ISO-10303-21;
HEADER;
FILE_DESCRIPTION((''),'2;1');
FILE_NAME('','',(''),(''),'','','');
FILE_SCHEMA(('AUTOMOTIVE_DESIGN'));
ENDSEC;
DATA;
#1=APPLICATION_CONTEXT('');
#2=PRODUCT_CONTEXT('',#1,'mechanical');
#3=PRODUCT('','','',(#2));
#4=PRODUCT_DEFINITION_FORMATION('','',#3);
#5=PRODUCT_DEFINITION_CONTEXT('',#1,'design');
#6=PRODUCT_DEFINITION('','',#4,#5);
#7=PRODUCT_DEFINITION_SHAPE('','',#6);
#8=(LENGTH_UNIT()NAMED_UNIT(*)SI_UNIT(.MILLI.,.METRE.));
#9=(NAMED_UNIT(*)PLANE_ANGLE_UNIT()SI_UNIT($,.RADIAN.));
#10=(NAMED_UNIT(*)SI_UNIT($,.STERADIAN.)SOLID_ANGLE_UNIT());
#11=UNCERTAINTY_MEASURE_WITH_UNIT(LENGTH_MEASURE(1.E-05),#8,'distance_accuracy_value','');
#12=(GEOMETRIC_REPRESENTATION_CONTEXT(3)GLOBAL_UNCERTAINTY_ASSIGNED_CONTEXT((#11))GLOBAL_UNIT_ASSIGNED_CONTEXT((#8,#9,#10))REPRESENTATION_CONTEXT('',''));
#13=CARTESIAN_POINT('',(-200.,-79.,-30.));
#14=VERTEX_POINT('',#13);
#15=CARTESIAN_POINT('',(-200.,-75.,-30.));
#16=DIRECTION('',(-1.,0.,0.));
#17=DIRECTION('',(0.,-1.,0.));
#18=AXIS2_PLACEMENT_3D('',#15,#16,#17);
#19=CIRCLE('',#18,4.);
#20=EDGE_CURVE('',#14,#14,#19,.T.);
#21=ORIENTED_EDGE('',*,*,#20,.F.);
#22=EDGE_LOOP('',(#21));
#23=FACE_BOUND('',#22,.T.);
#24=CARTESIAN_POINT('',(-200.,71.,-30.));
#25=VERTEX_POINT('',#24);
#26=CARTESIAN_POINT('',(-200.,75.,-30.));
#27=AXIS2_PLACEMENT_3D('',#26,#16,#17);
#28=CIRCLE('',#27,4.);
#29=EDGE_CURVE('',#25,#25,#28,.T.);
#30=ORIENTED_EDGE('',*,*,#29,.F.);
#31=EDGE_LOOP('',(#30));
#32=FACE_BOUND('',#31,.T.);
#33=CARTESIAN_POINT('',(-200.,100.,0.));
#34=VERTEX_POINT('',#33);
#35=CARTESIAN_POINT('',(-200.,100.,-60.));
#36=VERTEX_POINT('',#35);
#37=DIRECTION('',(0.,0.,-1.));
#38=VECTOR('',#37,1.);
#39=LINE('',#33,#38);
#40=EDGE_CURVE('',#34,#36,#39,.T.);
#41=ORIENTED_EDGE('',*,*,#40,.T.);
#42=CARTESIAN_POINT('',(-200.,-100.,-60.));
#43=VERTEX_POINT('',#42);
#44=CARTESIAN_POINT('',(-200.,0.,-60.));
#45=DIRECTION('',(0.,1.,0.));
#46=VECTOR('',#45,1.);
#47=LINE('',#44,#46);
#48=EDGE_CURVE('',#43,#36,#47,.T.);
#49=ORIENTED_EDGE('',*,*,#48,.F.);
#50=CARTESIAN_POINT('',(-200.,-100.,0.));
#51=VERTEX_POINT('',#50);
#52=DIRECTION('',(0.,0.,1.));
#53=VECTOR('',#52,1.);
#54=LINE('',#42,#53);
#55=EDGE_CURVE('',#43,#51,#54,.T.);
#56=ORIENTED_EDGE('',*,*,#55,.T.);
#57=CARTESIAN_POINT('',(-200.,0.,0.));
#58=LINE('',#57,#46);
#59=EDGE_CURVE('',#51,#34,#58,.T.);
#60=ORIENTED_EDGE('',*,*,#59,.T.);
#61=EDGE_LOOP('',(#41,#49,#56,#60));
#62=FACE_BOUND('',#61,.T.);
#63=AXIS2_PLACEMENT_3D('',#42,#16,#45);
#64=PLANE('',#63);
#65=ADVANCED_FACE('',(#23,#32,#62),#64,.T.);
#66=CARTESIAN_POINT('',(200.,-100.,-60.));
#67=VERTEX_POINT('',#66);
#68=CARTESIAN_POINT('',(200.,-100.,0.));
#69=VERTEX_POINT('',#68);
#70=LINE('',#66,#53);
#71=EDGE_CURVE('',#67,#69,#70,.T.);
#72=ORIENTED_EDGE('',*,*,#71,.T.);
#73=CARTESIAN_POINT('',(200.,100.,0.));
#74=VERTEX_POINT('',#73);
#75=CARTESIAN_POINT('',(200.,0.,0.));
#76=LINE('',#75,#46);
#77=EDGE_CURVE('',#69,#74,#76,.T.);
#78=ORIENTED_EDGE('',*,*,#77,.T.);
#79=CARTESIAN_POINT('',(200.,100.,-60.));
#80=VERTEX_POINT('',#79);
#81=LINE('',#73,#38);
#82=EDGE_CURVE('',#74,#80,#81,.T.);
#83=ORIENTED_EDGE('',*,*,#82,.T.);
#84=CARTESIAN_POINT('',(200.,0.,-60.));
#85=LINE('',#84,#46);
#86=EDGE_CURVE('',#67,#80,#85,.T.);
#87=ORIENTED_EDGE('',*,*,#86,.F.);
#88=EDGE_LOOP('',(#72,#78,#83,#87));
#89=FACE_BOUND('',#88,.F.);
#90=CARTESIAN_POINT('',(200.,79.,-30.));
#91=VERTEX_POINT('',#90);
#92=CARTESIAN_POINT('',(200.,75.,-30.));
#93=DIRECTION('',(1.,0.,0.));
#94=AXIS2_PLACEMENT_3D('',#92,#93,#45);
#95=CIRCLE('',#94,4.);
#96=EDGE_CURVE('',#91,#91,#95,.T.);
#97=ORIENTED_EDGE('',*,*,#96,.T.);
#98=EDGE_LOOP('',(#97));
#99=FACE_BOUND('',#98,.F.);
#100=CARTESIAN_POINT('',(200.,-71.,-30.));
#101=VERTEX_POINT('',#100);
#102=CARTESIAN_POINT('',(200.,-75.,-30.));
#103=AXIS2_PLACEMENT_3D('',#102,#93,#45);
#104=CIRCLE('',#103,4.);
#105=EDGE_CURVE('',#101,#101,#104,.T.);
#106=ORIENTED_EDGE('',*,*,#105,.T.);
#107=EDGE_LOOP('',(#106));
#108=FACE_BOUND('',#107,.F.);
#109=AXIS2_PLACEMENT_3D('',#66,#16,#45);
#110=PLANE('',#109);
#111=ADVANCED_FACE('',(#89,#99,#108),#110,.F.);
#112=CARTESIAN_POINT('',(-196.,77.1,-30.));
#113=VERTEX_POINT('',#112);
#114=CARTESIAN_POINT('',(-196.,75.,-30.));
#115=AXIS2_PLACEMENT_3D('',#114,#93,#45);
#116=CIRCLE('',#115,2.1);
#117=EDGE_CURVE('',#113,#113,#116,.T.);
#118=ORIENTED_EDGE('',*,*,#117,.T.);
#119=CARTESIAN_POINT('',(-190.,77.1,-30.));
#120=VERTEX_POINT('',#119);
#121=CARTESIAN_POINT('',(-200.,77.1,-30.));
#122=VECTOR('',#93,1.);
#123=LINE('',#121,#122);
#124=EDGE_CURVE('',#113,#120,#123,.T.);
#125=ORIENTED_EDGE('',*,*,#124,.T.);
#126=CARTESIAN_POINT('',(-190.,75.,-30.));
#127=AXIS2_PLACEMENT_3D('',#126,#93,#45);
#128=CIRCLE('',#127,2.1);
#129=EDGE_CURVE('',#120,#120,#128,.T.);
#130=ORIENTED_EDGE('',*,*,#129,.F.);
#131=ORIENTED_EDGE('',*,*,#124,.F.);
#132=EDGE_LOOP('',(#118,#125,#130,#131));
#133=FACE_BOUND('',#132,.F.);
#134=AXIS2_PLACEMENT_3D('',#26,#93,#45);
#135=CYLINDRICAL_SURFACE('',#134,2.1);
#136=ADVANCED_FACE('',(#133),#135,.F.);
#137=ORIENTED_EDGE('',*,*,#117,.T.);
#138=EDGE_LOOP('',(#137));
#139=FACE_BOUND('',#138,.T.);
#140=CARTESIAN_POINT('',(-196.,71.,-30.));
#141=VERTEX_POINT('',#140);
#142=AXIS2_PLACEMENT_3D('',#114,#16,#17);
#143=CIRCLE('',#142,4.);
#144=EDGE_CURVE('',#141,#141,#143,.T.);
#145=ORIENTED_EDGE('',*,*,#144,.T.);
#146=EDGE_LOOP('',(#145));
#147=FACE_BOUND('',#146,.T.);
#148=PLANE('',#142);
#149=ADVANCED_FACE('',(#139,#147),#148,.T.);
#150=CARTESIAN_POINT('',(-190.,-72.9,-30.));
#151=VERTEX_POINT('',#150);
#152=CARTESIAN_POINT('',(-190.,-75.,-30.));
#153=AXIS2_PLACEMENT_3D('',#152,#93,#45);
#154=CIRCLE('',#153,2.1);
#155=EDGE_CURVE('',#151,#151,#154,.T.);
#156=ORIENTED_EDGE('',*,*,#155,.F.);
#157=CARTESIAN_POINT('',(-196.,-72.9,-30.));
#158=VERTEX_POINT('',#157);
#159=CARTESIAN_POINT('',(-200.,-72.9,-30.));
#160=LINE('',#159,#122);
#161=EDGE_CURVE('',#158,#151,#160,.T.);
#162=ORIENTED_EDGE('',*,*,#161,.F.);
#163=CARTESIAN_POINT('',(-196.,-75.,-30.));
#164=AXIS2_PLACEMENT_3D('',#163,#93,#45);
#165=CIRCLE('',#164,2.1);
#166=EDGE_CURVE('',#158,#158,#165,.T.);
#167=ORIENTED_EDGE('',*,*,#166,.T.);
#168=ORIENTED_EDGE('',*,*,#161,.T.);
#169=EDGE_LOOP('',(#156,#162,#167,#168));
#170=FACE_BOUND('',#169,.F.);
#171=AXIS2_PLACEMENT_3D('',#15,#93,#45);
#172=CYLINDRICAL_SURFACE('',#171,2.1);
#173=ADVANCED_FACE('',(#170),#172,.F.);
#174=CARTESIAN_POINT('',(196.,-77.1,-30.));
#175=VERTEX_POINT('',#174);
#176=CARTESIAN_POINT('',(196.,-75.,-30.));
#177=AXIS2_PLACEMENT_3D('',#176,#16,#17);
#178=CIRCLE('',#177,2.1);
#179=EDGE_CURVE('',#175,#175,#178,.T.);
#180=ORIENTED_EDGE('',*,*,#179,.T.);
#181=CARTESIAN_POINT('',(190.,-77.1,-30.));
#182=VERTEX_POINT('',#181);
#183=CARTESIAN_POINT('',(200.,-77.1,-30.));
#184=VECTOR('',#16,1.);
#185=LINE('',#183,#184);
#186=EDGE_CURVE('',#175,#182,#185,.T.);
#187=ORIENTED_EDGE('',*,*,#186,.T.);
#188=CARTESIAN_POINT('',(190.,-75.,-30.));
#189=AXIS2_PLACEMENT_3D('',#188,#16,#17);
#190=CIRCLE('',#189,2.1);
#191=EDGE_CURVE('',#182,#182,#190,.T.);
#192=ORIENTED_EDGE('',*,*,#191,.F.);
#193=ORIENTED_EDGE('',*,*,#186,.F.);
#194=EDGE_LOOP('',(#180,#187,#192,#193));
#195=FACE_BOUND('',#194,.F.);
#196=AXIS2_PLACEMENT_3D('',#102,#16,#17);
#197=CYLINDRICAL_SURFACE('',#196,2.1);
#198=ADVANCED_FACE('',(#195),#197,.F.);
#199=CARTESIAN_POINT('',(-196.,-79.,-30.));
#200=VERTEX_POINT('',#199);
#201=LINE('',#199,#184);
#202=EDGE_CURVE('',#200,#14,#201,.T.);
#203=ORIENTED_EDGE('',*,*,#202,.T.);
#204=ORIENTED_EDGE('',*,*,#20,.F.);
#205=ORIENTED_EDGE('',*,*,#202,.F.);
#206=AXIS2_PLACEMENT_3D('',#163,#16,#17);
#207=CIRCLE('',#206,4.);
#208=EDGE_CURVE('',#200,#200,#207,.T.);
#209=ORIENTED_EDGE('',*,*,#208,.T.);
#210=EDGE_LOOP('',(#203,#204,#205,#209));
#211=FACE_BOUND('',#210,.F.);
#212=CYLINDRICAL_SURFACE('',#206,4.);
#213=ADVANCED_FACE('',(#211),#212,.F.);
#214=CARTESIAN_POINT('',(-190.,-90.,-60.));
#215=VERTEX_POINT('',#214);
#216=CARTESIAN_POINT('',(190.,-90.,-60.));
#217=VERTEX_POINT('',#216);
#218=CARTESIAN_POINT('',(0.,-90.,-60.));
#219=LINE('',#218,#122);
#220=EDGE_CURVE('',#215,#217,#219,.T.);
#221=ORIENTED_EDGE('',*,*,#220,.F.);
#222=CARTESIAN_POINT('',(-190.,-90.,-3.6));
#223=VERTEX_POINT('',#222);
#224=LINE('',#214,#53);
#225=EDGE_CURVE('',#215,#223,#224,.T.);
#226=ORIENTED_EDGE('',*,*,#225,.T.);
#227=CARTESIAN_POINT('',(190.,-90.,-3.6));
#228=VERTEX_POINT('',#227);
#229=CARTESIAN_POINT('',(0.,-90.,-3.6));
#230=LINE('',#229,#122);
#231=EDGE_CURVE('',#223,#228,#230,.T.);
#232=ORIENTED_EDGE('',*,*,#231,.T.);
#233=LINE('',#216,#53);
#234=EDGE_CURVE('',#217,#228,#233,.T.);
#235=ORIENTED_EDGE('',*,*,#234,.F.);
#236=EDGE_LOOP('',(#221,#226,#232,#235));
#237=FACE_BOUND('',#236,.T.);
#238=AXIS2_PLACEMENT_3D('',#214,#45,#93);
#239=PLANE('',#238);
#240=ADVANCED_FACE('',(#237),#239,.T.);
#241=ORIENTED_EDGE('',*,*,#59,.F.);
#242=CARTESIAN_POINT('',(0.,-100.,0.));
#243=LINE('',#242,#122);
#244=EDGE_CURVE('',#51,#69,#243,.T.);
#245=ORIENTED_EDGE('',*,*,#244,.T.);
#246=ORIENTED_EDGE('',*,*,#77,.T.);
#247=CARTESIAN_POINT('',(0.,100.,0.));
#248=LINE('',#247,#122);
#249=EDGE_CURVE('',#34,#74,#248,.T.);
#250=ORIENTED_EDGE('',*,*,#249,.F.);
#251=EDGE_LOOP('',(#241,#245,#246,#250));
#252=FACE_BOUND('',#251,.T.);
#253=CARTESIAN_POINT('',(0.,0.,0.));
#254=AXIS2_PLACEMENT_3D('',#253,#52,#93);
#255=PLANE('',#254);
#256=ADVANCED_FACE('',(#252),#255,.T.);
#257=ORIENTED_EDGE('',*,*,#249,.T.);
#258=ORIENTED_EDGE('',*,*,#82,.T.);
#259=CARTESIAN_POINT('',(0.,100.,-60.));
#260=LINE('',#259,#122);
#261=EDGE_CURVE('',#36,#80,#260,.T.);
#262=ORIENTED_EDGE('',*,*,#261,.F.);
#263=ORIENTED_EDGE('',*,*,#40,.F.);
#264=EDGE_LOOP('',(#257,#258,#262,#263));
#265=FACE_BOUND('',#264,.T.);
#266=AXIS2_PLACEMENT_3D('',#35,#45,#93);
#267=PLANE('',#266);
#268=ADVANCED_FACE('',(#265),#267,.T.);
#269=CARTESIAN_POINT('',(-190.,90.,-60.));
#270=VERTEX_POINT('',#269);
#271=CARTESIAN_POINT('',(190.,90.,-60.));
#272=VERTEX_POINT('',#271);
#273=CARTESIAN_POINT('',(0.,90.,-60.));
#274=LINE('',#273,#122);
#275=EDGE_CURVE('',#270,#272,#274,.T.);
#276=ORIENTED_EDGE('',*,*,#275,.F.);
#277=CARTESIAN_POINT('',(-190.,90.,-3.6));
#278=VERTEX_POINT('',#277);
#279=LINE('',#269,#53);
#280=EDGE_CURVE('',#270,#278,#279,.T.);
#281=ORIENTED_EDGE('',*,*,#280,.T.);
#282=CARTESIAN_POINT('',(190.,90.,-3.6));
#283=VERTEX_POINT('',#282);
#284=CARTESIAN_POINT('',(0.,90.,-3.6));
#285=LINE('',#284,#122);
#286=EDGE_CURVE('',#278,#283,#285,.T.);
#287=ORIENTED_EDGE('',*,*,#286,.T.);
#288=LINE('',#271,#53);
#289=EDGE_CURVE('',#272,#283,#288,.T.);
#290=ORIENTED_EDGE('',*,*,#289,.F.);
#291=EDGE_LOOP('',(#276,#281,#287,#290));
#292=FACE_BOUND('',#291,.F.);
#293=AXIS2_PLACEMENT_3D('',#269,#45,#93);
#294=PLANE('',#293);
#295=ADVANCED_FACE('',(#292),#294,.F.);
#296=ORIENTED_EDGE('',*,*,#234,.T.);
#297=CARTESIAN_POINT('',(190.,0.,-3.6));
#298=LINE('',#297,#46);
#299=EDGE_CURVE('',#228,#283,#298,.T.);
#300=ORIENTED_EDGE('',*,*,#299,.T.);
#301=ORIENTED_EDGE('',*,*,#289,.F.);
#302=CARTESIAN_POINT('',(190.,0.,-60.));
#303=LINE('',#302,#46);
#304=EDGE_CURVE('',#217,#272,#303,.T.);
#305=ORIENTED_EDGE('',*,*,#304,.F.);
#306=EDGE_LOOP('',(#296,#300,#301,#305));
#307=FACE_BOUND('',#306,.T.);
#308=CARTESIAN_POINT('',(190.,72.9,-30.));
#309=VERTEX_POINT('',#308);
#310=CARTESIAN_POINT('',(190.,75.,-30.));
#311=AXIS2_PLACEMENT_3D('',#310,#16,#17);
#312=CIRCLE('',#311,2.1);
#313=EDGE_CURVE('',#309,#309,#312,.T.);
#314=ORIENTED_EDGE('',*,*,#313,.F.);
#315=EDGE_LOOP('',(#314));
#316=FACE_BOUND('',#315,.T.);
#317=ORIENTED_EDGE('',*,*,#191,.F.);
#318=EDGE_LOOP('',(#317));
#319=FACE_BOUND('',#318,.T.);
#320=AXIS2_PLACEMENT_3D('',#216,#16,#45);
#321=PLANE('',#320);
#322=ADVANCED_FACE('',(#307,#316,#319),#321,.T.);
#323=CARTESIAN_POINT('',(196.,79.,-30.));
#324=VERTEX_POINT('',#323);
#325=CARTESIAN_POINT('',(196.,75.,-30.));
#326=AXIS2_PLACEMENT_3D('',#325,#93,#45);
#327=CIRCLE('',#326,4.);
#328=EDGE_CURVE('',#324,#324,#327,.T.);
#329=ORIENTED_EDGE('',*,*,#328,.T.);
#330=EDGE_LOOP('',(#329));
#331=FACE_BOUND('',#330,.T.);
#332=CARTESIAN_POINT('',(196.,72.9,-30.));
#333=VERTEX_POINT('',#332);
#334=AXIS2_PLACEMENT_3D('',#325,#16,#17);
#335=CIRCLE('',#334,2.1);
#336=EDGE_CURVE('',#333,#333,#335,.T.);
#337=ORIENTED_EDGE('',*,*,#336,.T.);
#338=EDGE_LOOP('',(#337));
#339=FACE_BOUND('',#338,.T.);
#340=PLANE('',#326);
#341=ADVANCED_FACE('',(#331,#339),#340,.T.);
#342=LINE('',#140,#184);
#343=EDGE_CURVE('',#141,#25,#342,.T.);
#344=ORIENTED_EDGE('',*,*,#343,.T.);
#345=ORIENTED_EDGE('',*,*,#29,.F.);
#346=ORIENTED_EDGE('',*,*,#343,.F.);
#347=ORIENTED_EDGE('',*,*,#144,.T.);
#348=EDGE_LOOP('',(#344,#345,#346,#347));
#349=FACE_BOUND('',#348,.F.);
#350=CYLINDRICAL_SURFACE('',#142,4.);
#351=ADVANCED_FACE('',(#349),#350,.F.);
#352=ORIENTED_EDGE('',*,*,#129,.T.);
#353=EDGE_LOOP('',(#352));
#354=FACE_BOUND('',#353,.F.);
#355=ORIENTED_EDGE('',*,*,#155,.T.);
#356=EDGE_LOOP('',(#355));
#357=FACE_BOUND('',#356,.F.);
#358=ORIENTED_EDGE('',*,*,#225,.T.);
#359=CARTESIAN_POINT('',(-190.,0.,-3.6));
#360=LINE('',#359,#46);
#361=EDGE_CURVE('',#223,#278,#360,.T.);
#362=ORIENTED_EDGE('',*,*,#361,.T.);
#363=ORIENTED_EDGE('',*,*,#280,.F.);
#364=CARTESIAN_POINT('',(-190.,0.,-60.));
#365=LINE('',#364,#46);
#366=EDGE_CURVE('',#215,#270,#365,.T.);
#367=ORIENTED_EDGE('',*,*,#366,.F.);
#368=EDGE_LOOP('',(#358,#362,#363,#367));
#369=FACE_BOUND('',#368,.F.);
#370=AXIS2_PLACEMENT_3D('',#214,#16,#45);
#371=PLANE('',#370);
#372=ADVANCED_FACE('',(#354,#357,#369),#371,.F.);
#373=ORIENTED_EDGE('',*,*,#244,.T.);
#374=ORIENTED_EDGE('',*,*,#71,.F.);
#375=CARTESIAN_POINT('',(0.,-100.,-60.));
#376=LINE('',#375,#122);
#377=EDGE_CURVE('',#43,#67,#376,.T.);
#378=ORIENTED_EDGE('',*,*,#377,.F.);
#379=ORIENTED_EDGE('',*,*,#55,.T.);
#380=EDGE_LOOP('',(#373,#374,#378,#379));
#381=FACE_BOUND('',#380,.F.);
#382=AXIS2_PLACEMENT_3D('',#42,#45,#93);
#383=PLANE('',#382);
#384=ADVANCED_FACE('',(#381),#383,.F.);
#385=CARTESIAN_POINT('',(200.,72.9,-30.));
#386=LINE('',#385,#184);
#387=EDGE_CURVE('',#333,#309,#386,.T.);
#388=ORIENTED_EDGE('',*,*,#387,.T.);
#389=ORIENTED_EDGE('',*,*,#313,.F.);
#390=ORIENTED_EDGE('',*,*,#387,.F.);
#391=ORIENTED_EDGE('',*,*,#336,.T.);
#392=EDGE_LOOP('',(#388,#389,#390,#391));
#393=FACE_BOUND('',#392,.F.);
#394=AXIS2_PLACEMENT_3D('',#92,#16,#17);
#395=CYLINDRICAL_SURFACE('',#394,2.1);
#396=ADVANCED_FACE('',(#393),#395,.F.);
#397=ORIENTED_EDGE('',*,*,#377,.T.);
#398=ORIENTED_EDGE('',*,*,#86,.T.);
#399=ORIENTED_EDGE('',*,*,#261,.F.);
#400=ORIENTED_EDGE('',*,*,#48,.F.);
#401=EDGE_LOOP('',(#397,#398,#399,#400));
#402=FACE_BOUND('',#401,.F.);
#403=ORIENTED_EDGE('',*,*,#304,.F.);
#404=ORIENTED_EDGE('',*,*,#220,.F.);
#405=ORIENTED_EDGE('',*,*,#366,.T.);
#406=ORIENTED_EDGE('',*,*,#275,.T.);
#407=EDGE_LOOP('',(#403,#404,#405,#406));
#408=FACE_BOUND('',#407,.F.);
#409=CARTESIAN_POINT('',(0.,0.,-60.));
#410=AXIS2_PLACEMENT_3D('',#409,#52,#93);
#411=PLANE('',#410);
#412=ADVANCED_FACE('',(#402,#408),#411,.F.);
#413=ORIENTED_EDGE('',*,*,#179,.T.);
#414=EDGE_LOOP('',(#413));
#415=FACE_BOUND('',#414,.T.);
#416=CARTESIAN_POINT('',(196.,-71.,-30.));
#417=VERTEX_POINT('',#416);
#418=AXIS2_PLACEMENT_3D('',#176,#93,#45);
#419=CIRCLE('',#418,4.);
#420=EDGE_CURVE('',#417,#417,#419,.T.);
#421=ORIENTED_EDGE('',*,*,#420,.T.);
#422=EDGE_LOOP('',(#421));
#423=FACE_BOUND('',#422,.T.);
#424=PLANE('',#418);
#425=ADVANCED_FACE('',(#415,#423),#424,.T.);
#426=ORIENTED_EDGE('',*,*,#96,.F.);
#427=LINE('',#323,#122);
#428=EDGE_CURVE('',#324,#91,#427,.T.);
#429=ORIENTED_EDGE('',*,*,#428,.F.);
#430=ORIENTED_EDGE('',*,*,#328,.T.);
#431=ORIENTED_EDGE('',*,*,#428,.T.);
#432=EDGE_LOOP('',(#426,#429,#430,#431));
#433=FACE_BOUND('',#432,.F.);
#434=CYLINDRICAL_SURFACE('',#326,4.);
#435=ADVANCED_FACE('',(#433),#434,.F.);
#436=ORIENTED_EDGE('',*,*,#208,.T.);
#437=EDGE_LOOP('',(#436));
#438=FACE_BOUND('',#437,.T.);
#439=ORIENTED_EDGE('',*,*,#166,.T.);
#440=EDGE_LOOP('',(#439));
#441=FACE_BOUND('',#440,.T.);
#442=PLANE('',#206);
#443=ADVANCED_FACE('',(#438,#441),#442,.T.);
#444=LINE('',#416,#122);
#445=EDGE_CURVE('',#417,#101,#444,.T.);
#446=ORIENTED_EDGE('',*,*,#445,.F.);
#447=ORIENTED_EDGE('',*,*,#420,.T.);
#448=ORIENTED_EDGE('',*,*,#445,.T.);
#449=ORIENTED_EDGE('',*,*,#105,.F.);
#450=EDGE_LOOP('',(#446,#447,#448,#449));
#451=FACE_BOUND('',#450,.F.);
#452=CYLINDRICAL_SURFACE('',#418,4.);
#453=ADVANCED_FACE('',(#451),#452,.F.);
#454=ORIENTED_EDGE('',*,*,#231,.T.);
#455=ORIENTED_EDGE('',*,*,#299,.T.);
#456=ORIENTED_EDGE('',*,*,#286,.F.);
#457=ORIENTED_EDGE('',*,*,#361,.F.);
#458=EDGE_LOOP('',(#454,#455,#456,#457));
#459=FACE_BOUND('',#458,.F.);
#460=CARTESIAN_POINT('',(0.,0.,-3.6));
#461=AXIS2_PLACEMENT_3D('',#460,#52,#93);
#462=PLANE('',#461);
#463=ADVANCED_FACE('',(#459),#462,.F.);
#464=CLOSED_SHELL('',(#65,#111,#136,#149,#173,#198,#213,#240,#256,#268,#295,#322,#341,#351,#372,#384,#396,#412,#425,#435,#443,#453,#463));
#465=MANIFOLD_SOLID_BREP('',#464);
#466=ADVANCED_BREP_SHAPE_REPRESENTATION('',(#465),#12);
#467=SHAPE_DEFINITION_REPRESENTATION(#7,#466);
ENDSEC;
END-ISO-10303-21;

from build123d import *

# Parameters (mm, degrees)
F0_W                 = 400
F0_H                 = 200
F1_DEPTH             = 3.6
F3_W                 = 400
F3_H                 = 200
F3_W_2               = 380
F3_H_2               = 180
F4_DEPTH             = 56.4
F7_D                 = 4.2
F7_DEPTH             = 12
F7_CBORE_D           = 8
F7_CBORE_DEPTH       = 4
F7_TIP               = 1.2618073
F7_ON_F5_D           = 4.2
F7_ON_F5_DEPTH       = 12
F7_ON_F5_CBORE_D     = 8
F7_ON_F5_CBORE_DEPTH = 4
F7_ON_F5_TIP         = 1.2618073


with BuildPart() as f1:
    # F0 (on Top) → F1 (new body)
    with BuildSketch(Plane.XY):
        Rectangle(F0_W, F0_H)
    extrude(amount=-F1_DEPTH)

    # F3 (on offset) → F4 (join, through all)
    with BuildSketch(Plane.XY.offset(-60)):
        Rectangle(F3_W, F3_H)
        Rectangle(F3_W_2, F3_H_2, mode=Mode.SUBTRACT)
    extrude(amount=F4_DEPTH)

    # F7
    with Locations(Plane(origin=(-200, 0, 0), x_dir=(0, -1, 0), z_dir=(-1, 0, 0))):
        with Locations((-75, -30), (75, -30)):
            CounterBoreHole(F7_D / 2, F7_CBORE_D / 2, F7_CBORE_DEPTH, depth=F7_DEPTH)
            with Locations((0, 0, -(F7_DEPTH + F7_TIP / 2))):  # 118° drill point
                Cone(0, F7_D / 2, F7_TIP, mode=Mode.SUBTRACT)

    # F7 on F5
    with Locations(Plane.YZ.offset(200)):
        with Locations((75, -30), (-75, -30)):
            CounterBoreHole(F7_ON_F5_D / 2, F7_ON_F5_CBORE_D / 2, F7_ON_F5_CBORE_DEPTH, depth=F7_ON_F5_DEPTH)
            with Locations((0, 0, -(F7_ON_F5_DEPTH + F7_ON_F5_TIP / 2))):  # 118° drill point
                Cone(0, F7_ON_F5_D / 2, F7_ON_F5_TIP, mode=Mode.SUBTRACT)


solid = f1.part
